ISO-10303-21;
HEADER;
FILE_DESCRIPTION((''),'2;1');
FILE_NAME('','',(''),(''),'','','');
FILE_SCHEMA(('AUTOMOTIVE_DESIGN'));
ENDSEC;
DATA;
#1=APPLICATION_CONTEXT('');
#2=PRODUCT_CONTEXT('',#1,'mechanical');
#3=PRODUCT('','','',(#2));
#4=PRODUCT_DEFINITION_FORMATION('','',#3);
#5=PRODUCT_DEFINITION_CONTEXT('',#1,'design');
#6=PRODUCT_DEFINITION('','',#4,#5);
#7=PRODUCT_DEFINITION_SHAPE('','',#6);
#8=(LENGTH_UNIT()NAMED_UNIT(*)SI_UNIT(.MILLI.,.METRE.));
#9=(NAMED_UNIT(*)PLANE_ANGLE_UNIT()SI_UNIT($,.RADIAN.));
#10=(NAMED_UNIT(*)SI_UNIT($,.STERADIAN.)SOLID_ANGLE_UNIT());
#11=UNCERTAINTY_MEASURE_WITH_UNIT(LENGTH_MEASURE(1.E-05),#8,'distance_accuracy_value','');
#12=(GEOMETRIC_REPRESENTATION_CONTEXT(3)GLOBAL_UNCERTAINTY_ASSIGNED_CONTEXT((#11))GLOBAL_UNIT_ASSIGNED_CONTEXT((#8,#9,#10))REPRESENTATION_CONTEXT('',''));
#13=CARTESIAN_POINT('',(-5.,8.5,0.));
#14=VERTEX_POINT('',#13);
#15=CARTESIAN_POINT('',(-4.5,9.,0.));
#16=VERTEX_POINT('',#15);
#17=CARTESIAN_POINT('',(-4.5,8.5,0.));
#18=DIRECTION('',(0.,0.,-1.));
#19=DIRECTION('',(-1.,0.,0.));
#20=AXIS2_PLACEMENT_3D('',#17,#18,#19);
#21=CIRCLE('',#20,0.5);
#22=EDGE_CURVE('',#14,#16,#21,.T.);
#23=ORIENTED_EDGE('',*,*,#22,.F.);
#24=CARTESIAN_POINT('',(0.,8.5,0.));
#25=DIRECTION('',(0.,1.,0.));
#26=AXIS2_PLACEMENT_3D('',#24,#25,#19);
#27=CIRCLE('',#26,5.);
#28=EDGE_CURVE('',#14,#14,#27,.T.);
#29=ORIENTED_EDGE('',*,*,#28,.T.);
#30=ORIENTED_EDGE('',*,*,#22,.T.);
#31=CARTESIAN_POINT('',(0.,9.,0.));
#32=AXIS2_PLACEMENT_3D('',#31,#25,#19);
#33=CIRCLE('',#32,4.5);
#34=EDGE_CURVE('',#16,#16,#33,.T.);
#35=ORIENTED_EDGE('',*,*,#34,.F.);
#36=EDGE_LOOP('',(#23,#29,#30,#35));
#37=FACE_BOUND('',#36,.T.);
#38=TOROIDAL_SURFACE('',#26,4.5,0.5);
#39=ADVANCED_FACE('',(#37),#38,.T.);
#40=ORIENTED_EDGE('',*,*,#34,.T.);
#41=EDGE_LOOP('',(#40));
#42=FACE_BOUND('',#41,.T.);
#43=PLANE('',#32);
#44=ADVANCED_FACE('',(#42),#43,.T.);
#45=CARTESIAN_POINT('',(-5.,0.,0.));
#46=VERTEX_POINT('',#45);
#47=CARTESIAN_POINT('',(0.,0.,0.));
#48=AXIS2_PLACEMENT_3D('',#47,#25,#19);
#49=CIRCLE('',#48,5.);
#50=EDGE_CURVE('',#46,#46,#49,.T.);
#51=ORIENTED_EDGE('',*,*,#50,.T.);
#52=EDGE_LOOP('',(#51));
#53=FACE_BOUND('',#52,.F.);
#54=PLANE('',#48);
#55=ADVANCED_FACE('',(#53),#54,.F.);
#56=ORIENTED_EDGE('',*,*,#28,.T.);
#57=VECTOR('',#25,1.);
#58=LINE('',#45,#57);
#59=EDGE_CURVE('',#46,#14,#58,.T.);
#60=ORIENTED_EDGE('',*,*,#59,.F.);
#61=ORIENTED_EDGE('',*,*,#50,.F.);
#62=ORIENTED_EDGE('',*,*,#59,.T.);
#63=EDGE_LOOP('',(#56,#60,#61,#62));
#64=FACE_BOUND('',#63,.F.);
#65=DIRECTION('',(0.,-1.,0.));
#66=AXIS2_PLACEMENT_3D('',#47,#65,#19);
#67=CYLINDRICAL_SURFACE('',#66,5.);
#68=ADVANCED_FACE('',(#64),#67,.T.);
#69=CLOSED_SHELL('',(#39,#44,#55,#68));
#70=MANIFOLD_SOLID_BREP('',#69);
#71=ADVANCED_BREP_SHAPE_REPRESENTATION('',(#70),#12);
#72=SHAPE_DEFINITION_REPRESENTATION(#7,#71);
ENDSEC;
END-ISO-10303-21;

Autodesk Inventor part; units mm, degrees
ref_plane "YZ Plane" through (0, 0, 0) normal (1, 0, 0) x (0, 1, 0)
ref_plane "XZ Plane" through (0, 0, 0) normal (0, 1, 0) x (-1, 0, 0)
ref_plane "XY Plane" through (0, 0, 0) normal (0, 0, 1) x (1, 0, 0)
sketch "Skizze1" plane through (0, 0, 0) normal (0, 1, 0) x (-1, 0, 0)
  circle A0 centre (0, 0) radius 5
  dimension "d0" = 10
extrude "Extrusion1" add sketch "Skizze1" along normal blind 9
fillet "Rundung1" radius 0.5 1 edges at (5, 9, 0)
properties part number "FüllungRad_10"
